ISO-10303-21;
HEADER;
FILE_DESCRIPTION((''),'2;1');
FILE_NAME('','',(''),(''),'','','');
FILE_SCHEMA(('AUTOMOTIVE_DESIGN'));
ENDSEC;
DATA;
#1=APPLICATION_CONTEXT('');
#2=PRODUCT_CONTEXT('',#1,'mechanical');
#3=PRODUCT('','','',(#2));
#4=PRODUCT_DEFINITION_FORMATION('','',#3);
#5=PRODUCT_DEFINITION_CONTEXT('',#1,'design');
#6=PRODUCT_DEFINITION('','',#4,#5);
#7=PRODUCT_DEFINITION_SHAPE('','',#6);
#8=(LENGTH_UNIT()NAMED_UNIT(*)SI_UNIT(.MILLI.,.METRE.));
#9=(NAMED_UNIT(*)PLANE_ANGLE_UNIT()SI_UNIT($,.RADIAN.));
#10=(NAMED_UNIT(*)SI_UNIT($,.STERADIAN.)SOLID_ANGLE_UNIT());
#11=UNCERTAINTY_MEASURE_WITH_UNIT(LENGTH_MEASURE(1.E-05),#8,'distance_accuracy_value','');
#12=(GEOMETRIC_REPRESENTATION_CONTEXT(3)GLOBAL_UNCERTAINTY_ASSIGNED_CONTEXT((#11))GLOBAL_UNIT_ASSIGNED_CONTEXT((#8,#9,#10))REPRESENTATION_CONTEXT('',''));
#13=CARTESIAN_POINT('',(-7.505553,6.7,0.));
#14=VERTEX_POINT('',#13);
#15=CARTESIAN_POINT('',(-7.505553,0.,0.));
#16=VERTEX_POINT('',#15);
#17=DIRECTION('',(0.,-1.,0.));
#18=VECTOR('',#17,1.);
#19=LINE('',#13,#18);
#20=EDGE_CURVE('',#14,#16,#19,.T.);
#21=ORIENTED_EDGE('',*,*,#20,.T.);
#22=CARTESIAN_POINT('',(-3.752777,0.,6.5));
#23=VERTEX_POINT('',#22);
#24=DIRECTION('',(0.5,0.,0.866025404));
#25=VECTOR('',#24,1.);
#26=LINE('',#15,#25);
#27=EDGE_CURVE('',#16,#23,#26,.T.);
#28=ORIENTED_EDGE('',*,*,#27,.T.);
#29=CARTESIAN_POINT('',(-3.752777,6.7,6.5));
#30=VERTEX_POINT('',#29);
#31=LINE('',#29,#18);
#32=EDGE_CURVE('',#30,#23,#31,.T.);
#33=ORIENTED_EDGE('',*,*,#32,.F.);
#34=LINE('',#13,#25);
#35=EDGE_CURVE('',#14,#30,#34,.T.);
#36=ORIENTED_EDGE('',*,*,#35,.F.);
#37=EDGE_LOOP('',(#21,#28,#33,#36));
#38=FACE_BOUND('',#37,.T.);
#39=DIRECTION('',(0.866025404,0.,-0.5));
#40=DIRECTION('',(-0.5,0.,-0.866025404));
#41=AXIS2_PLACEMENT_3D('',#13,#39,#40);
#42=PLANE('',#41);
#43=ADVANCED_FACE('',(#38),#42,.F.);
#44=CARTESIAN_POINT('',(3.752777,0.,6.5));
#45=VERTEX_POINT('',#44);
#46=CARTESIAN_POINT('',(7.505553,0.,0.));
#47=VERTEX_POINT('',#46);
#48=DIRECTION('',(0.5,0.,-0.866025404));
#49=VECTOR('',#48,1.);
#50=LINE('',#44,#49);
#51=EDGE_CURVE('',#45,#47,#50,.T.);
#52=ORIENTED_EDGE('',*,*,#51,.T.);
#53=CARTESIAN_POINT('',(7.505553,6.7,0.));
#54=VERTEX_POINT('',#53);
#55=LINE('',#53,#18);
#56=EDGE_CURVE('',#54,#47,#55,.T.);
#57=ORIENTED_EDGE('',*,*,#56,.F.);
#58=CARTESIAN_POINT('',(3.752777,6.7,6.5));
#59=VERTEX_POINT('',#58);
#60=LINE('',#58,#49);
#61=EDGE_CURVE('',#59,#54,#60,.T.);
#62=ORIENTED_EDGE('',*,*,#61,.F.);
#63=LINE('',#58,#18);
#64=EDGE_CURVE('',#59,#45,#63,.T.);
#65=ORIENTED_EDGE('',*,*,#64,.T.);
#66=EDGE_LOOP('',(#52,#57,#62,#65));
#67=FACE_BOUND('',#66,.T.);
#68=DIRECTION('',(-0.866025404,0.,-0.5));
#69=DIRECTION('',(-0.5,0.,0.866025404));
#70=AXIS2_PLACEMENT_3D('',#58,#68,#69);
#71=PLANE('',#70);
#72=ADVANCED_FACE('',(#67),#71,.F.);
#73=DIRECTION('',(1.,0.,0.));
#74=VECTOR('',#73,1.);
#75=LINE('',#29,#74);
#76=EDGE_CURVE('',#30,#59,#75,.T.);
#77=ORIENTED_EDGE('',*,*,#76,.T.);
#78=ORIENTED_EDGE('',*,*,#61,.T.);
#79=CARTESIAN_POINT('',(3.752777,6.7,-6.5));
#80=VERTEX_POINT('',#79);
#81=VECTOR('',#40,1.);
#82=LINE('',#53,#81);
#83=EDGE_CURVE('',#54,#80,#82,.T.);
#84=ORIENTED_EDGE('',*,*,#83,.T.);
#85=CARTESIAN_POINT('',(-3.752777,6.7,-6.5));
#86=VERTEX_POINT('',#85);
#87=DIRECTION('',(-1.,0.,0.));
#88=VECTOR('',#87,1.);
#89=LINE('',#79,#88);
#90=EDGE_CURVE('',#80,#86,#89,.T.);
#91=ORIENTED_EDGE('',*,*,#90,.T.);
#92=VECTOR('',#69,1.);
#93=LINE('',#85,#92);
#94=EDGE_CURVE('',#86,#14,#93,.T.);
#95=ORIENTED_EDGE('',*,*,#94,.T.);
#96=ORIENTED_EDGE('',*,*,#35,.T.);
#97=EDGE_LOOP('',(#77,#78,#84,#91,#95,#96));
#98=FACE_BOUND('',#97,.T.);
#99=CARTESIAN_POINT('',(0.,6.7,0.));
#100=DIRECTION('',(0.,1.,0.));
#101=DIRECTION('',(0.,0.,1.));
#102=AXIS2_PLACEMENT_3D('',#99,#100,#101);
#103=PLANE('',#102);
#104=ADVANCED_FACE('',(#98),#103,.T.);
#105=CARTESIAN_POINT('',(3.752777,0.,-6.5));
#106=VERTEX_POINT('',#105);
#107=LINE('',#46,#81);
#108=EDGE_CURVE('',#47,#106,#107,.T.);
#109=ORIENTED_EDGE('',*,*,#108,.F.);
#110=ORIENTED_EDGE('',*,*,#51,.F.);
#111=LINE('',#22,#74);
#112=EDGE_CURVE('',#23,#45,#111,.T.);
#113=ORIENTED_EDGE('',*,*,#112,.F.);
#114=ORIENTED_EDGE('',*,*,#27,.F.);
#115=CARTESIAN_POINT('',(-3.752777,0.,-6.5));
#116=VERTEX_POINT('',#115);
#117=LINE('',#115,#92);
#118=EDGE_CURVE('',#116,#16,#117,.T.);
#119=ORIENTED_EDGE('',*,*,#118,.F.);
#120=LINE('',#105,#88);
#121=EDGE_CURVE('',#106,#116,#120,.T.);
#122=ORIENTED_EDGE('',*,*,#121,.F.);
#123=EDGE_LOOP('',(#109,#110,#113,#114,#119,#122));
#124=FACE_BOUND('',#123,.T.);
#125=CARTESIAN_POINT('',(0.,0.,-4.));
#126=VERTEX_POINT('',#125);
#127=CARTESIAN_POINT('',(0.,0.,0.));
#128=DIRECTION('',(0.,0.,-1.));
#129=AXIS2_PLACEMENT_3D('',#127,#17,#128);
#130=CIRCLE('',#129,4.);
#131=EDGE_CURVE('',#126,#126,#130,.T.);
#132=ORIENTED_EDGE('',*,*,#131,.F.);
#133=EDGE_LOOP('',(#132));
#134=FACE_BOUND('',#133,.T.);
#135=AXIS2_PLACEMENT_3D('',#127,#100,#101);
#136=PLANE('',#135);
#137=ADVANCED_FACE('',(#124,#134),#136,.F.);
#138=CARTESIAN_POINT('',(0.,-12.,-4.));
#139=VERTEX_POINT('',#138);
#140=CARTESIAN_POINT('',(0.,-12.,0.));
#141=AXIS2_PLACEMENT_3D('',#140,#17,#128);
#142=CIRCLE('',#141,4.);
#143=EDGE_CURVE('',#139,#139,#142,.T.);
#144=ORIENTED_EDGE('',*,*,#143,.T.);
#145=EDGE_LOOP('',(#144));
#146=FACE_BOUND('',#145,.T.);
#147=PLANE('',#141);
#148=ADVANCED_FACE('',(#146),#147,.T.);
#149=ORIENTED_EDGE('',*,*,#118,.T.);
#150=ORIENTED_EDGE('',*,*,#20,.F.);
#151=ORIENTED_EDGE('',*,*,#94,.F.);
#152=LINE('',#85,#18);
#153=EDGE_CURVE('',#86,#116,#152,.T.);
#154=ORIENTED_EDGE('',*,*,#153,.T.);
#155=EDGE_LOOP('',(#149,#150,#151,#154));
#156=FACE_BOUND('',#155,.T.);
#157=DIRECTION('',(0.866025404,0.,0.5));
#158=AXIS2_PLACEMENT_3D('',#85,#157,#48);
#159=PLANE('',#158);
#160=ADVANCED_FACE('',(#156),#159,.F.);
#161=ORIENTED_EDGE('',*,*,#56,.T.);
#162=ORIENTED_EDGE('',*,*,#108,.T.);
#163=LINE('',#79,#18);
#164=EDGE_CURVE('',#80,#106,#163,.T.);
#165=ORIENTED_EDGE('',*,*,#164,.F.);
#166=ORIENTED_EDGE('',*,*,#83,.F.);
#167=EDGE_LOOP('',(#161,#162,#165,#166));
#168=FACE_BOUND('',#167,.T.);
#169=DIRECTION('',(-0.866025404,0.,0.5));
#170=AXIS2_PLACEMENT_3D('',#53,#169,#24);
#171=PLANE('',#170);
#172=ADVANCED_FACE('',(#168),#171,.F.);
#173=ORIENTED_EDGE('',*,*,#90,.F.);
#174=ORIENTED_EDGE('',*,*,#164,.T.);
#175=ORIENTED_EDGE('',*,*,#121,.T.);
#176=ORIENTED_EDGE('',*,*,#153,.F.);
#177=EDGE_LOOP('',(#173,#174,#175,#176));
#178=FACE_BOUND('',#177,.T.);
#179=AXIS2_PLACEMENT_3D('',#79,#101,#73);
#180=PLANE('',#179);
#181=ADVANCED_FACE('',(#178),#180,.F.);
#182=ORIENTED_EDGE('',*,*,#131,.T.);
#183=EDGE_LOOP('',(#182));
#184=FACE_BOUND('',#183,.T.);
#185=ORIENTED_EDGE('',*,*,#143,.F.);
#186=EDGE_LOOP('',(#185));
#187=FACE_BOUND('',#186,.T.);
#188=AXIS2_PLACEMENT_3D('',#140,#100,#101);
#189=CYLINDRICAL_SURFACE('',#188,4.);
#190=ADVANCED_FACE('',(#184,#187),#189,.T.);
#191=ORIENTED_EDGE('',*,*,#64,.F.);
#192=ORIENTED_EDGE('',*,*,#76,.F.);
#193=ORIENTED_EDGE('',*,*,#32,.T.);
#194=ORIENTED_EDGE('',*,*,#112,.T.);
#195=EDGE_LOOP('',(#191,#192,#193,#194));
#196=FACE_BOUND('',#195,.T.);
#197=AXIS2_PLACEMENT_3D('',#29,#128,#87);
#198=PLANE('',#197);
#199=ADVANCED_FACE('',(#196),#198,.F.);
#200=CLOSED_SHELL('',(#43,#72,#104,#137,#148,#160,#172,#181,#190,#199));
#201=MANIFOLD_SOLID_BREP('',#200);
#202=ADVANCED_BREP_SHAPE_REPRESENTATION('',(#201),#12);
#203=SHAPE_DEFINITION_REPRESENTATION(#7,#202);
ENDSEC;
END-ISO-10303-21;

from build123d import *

# Parameters (mm, degrees)
BOSS_EXTRUDE1_DEPTH = 6.7
SKETCH2_R           = 4
BOSS_EXTRUDE2_DEPTH = 12


with BuildPart() as part:
    # Sketch1 → Boss-Extrude1 (new body)
    with BuildSketch(Plane(origin=(0, 0, 0), x_dir=(1, 0, 0), z_dir=(0, 1, 0))):
        Polygon((7.505553499, 0), (3.75277675, 6.5), (-3.75277675, 6.5), (-7.505553499, 0), (-3.75277675, -6.5), (3.75277675, -6.5), align=None)
    extrude(amount=BOSS_EXTRUDE1_DEPTH)

    # Sketch2 → Boss-Extrude2 (add)
    with BuildSketch(Plane.XZ):
        with Locations(Location((0, 0, 0), (0, 0, 270))):
            Circle(SKETCH2_R)
    extrude(amount=BOSS_EXTRUDE2_DEPTH)


solid = part.part
